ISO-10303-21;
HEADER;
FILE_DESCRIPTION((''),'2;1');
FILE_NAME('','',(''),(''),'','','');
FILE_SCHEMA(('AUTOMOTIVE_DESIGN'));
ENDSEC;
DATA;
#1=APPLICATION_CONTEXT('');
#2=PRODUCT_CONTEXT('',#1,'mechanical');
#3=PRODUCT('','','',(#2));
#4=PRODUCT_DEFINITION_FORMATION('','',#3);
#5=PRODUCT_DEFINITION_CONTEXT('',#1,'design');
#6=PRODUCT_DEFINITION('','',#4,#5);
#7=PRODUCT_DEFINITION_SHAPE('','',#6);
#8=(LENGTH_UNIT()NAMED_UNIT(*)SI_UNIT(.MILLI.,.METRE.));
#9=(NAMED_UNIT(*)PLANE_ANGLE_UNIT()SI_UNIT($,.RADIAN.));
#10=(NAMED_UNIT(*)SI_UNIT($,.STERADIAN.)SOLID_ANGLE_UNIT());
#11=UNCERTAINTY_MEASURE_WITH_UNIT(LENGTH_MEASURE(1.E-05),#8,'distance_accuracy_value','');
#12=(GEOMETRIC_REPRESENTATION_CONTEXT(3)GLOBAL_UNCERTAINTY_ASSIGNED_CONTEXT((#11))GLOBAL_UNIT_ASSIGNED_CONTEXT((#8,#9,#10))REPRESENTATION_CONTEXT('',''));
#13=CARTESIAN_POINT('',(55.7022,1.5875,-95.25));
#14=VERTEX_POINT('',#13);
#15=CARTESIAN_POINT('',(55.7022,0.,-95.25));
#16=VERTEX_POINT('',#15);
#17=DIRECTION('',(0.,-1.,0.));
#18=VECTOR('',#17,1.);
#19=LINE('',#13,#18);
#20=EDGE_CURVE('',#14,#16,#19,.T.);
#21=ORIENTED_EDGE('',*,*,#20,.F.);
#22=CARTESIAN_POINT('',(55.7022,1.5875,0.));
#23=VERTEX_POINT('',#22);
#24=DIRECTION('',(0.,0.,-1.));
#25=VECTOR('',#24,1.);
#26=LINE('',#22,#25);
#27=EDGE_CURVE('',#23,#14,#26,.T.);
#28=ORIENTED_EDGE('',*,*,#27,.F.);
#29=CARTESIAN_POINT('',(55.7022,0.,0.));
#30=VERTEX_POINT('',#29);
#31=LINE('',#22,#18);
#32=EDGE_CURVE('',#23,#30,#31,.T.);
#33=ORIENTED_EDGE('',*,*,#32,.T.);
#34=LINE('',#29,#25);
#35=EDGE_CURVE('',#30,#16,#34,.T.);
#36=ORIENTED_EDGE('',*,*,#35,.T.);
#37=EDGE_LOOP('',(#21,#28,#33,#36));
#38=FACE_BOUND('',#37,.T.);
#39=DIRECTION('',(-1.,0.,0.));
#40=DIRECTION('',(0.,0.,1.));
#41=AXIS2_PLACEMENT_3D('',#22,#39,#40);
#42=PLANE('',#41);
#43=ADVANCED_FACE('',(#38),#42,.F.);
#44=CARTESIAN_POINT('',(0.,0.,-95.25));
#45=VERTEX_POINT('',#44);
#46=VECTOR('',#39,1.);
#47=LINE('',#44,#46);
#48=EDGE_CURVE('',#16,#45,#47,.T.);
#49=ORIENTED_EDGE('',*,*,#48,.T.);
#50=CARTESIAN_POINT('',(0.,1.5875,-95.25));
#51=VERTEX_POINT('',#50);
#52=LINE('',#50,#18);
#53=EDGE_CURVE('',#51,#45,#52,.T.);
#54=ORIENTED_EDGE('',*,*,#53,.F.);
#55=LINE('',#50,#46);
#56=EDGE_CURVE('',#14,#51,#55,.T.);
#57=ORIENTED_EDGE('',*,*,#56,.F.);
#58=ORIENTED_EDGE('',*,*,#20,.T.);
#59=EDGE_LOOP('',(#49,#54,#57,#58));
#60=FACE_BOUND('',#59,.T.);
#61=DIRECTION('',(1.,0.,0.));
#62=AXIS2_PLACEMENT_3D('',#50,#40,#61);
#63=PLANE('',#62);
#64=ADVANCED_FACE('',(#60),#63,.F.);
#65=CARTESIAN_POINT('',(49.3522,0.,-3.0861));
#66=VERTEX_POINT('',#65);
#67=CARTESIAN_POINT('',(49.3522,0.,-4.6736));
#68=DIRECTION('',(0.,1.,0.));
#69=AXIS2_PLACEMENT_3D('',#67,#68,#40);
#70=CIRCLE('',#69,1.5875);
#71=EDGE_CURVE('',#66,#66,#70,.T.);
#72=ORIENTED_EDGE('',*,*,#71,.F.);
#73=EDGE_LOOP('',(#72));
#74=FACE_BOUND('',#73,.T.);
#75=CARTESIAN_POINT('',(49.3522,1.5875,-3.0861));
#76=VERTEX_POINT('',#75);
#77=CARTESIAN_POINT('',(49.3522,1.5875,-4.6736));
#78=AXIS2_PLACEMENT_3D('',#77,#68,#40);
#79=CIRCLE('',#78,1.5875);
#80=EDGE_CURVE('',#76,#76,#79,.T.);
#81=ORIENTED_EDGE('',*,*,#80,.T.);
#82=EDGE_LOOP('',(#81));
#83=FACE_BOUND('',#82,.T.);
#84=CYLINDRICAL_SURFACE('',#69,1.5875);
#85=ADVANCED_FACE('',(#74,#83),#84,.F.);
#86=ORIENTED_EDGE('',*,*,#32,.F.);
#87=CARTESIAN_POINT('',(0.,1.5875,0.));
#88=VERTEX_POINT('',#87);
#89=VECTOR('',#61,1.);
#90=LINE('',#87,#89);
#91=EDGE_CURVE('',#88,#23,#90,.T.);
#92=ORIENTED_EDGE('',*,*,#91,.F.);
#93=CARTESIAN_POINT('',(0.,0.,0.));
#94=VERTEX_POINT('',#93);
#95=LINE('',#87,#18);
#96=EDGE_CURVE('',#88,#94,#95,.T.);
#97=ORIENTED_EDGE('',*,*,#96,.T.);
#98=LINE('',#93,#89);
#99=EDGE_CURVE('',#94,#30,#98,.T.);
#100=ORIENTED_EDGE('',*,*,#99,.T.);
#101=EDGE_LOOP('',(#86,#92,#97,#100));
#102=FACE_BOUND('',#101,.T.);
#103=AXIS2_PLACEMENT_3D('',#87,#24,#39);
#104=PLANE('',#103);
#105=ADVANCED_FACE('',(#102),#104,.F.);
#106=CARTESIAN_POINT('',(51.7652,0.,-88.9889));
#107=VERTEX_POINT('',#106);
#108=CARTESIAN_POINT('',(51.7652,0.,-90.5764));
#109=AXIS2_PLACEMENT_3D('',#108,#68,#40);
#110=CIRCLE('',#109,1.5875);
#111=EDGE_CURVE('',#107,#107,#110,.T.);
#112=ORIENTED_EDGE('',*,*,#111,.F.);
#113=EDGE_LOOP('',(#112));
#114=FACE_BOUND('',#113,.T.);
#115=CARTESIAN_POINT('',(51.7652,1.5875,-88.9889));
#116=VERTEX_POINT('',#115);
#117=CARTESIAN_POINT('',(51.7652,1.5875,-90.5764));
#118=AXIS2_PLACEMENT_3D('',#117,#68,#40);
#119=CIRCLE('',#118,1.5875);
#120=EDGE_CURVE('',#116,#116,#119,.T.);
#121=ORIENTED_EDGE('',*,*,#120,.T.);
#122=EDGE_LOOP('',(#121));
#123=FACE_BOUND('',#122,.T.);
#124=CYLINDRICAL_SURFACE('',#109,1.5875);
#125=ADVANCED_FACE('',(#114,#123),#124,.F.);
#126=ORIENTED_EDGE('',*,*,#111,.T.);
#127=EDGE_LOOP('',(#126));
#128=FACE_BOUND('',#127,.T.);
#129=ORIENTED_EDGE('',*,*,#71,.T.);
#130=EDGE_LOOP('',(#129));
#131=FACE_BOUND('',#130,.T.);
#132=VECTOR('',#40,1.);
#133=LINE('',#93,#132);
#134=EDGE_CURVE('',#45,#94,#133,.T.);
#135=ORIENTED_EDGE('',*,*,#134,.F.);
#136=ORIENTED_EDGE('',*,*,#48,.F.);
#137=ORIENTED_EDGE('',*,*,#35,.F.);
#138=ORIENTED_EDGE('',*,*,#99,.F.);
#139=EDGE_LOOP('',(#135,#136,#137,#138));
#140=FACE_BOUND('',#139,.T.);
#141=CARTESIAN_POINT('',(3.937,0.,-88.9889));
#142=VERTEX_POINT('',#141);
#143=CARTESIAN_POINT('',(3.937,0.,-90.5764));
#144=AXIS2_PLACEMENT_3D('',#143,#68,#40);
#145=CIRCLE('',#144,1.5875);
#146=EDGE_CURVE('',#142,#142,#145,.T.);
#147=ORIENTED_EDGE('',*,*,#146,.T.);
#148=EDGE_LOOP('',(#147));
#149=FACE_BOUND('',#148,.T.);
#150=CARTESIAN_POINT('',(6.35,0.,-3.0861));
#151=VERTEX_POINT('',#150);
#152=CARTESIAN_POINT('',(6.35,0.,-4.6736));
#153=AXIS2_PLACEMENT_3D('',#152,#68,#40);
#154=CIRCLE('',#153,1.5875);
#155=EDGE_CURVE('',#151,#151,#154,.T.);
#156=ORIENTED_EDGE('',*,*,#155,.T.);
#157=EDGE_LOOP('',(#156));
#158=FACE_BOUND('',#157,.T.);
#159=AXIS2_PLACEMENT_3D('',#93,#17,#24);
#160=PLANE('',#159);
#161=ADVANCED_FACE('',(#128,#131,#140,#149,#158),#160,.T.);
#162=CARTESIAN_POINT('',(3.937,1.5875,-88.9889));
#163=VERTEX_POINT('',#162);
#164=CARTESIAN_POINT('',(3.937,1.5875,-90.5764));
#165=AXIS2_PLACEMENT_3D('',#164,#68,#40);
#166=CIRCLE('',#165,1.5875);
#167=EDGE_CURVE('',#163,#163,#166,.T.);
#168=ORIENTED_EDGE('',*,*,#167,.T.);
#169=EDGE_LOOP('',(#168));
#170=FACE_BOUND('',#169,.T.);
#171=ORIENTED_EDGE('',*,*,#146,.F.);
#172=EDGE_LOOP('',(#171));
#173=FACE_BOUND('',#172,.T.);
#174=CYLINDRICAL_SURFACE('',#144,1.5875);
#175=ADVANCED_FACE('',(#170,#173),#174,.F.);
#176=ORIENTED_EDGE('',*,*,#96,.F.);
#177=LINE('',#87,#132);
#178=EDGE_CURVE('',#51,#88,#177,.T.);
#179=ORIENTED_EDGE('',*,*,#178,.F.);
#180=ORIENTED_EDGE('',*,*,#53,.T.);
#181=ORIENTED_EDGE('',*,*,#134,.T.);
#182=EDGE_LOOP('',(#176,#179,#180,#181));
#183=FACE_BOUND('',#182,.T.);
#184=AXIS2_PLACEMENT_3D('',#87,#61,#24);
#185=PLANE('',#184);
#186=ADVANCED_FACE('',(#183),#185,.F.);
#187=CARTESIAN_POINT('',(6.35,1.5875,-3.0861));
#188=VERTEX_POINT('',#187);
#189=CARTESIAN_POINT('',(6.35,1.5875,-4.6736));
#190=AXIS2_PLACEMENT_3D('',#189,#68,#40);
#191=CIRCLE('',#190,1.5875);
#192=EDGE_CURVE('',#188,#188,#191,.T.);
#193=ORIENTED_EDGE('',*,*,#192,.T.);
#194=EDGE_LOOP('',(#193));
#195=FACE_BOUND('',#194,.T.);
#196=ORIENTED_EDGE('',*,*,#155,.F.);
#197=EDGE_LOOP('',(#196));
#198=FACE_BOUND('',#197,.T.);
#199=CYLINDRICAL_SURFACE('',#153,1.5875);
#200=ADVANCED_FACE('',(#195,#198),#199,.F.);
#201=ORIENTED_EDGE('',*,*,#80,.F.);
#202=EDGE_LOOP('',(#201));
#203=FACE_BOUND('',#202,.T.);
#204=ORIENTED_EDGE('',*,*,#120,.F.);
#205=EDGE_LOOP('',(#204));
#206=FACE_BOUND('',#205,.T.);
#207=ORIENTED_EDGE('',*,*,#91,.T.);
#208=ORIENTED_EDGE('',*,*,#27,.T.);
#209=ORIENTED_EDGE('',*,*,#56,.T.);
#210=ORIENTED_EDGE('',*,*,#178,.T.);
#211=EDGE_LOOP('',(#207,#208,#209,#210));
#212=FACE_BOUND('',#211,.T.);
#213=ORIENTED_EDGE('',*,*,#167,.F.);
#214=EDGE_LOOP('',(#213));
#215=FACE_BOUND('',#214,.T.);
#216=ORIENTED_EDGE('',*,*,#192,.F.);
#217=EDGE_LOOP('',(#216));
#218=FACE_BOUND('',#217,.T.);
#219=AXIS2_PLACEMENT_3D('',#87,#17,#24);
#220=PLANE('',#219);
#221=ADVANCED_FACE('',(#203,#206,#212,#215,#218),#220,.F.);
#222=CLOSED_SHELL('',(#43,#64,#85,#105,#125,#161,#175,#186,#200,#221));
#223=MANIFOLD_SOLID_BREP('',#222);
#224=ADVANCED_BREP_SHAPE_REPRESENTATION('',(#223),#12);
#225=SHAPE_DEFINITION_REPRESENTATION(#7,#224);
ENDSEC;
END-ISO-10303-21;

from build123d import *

# Parameters (mm, degrees)
SKETCH1_W           = 55.7022
SKETCH1_H           = 95.25
BOSS_EXTRUDE1_DEPTH = 1.5875
SKETCH2_R           = 1.5875
CUT_EXTRUDE1_DEPTH  = 111.353150119


with BuildPart() as part:
    # Sketch1 → Boss-Extrude1 (new body)
    with BuildSketch(Plane(origin=(0, 0, 0), x_dir=(1, 0, 0), z_dir=(0, 1, 0))):
        with Locations((27.8511, 47.625)):
            Rectangle(SKETCH1_W, SKETCH1_H)
    extrude(amount=BOSS_EXTRUDE1_DEPTH)

    # Sketch2 → Cut-Extrude1 (cut, through all)
    with BuildSketch(Plane(origin=(0, 1.5875, 0), x_dir=(1, 0, 0), z_dir=(0, 1, 0))):
        with Locations(Location((3.937, 90.5764, 0), (0, 0, 270))):
            Circle(SKETCH2_R)
        with Locations(Location((51.7652, 90.5764, 0), (0, 0, 270))):
            Circle(SKETCH2_R)
        with Locations(Location((6.35, 4.6736, 0), (0, 0, 270))):
            Circle(SKETCH2_R)
        with Locations(Location((49.3522, 4.6736, 0), (0, 0, 270))):
            Circle(SKETCH2_R)
    extrude(amount=-CUT_EXTRUDE1_DEPTH, mode=Mode.SUBTRACT)


solid = part.part
